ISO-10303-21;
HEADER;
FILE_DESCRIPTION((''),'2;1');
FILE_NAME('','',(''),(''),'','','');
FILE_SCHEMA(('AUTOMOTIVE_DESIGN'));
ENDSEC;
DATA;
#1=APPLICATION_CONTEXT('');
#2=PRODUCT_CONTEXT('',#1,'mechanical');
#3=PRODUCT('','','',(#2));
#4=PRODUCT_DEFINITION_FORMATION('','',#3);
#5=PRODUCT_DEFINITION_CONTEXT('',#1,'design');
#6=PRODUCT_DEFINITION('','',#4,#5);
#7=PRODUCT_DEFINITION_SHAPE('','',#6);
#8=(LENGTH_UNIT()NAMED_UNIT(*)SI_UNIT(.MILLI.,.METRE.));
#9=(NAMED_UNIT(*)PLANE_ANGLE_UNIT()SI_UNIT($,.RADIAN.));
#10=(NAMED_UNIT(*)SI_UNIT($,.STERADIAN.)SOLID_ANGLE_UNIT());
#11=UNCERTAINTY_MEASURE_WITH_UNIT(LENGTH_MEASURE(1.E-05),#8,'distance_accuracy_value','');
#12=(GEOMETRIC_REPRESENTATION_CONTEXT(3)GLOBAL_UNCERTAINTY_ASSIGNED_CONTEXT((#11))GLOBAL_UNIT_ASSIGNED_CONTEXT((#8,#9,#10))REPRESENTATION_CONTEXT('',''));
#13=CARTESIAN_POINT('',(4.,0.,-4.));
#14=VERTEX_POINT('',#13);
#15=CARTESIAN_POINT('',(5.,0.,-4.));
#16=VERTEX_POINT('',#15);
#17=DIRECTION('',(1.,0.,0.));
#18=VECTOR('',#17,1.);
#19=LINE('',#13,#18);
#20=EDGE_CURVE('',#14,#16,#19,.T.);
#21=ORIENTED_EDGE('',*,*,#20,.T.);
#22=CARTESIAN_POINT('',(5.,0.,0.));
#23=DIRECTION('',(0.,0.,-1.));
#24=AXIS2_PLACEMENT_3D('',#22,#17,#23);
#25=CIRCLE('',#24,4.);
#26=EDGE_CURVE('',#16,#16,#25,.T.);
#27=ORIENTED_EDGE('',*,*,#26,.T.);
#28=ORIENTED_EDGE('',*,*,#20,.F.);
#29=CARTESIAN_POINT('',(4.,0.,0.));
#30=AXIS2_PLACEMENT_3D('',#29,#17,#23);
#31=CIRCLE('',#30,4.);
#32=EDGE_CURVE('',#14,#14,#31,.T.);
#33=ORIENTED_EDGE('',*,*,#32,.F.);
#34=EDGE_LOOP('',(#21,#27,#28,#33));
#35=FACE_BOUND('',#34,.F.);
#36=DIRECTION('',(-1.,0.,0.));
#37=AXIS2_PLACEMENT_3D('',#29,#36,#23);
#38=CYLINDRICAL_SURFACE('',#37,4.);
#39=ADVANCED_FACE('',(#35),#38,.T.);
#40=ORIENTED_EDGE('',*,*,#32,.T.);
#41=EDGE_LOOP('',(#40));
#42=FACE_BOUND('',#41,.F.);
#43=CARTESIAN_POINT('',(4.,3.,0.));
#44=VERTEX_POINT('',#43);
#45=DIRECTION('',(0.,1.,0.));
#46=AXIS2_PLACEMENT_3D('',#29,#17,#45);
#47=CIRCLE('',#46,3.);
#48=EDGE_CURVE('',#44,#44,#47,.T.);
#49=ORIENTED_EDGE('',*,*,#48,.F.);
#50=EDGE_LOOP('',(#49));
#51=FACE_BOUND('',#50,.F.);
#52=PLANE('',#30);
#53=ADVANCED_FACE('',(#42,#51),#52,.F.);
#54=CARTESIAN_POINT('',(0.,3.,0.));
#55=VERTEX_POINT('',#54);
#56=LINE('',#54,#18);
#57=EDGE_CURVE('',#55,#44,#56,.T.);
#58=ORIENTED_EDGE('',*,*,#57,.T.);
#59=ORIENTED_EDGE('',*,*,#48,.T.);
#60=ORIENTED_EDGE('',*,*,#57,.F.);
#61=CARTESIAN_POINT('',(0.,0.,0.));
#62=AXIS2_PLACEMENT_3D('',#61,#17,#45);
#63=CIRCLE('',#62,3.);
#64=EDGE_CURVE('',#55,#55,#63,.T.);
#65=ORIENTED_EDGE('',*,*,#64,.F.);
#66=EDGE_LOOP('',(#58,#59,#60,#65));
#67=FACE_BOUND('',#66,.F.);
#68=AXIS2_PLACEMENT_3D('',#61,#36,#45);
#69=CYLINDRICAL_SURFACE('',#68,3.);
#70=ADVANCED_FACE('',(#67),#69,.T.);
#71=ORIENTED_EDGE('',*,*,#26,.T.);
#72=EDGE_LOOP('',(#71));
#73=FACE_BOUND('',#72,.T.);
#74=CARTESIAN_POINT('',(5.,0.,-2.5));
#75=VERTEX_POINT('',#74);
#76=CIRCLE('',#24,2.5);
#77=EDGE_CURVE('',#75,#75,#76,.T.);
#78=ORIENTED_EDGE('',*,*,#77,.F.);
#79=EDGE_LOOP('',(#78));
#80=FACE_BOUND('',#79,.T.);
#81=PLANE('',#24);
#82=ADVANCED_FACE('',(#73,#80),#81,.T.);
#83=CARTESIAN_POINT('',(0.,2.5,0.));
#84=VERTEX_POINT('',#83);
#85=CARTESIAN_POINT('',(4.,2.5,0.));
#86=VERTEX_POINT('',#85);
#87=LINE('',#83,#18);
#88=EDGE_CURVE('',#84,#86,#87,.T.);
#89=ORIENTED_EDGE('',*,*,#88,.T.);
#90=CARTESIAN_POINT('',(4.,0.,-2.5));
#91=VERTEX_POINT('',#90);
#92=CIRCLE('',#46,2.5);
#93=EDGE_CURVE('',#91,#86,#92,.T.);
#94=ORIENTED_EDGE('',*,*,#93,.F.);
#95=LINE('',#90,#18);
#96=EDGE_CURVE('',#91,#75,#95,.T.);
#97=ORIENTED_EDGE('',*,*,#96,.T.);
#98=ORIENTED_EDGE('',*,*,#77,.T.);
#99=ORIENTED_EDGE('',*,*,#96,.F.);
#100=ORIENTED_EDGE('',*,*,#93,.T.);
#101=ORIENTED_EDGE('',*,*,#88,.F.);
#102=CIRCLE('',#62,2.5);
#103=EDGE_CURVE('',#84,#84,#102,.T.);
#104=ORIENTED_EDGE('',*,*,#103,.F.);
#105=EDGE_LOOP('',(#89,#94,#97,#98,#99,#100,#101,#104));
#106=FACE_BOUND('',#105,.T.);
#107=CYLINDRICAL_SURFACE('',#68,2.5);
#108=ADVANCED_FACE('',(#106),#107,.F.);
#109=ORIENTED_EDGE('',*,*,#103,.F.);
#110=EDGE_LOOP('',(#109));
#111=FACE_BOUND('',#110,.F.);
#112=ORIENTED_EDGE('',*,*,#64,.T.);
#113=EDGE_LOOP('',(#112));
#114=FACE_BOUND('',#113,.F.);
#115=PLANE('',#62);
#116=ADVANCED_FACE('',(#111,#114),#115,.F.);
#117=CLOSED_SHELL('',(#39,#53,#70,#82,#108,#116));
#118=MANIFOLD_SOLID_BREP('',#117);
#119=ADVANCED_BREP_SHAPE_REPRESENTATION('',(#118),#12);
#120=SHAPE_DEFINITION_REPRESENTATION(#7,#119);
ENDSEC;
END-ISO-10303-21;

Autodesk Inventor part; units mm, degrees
ref_plane "YZ Plane" through (0, 0, 0) normal (1, 0, 0) x (0, 1, 0)
ref_plane "XZ Plane" through (0, 0, 0) normal (0, 1, 0) x (-1, 0, 0)
ref_plane "XY Plane" through (0, 0, 0) normal (0, 0, 1) x (1, 0, 0)
sketch "Sketch1" plane through (0, 0, 0) normal (1, 0, 0) x (0, 1, 0)
  circle A0 centre (0, 0) radius 2.5
  circle A1 centre (0, 0) radius 3
  dimension "d0" = 5
  dimension "d1" = 6
extrude "Extrusion1" add sketch "Sketch1" along normal blind 4
sketch "Sketch2" plane through (4, 0, 0) normal (1, 0, 0) x (0, 0, -1)
  circle A0 centre (0, 0) radius 4
  circle A1 centre (0, 0) radius 2.5
  dimension "d4" = 8
extrude "Extrusion2" add sketch "Sketch2" along normal blind 1
properties part number "Ø6xØ5 adapter"
